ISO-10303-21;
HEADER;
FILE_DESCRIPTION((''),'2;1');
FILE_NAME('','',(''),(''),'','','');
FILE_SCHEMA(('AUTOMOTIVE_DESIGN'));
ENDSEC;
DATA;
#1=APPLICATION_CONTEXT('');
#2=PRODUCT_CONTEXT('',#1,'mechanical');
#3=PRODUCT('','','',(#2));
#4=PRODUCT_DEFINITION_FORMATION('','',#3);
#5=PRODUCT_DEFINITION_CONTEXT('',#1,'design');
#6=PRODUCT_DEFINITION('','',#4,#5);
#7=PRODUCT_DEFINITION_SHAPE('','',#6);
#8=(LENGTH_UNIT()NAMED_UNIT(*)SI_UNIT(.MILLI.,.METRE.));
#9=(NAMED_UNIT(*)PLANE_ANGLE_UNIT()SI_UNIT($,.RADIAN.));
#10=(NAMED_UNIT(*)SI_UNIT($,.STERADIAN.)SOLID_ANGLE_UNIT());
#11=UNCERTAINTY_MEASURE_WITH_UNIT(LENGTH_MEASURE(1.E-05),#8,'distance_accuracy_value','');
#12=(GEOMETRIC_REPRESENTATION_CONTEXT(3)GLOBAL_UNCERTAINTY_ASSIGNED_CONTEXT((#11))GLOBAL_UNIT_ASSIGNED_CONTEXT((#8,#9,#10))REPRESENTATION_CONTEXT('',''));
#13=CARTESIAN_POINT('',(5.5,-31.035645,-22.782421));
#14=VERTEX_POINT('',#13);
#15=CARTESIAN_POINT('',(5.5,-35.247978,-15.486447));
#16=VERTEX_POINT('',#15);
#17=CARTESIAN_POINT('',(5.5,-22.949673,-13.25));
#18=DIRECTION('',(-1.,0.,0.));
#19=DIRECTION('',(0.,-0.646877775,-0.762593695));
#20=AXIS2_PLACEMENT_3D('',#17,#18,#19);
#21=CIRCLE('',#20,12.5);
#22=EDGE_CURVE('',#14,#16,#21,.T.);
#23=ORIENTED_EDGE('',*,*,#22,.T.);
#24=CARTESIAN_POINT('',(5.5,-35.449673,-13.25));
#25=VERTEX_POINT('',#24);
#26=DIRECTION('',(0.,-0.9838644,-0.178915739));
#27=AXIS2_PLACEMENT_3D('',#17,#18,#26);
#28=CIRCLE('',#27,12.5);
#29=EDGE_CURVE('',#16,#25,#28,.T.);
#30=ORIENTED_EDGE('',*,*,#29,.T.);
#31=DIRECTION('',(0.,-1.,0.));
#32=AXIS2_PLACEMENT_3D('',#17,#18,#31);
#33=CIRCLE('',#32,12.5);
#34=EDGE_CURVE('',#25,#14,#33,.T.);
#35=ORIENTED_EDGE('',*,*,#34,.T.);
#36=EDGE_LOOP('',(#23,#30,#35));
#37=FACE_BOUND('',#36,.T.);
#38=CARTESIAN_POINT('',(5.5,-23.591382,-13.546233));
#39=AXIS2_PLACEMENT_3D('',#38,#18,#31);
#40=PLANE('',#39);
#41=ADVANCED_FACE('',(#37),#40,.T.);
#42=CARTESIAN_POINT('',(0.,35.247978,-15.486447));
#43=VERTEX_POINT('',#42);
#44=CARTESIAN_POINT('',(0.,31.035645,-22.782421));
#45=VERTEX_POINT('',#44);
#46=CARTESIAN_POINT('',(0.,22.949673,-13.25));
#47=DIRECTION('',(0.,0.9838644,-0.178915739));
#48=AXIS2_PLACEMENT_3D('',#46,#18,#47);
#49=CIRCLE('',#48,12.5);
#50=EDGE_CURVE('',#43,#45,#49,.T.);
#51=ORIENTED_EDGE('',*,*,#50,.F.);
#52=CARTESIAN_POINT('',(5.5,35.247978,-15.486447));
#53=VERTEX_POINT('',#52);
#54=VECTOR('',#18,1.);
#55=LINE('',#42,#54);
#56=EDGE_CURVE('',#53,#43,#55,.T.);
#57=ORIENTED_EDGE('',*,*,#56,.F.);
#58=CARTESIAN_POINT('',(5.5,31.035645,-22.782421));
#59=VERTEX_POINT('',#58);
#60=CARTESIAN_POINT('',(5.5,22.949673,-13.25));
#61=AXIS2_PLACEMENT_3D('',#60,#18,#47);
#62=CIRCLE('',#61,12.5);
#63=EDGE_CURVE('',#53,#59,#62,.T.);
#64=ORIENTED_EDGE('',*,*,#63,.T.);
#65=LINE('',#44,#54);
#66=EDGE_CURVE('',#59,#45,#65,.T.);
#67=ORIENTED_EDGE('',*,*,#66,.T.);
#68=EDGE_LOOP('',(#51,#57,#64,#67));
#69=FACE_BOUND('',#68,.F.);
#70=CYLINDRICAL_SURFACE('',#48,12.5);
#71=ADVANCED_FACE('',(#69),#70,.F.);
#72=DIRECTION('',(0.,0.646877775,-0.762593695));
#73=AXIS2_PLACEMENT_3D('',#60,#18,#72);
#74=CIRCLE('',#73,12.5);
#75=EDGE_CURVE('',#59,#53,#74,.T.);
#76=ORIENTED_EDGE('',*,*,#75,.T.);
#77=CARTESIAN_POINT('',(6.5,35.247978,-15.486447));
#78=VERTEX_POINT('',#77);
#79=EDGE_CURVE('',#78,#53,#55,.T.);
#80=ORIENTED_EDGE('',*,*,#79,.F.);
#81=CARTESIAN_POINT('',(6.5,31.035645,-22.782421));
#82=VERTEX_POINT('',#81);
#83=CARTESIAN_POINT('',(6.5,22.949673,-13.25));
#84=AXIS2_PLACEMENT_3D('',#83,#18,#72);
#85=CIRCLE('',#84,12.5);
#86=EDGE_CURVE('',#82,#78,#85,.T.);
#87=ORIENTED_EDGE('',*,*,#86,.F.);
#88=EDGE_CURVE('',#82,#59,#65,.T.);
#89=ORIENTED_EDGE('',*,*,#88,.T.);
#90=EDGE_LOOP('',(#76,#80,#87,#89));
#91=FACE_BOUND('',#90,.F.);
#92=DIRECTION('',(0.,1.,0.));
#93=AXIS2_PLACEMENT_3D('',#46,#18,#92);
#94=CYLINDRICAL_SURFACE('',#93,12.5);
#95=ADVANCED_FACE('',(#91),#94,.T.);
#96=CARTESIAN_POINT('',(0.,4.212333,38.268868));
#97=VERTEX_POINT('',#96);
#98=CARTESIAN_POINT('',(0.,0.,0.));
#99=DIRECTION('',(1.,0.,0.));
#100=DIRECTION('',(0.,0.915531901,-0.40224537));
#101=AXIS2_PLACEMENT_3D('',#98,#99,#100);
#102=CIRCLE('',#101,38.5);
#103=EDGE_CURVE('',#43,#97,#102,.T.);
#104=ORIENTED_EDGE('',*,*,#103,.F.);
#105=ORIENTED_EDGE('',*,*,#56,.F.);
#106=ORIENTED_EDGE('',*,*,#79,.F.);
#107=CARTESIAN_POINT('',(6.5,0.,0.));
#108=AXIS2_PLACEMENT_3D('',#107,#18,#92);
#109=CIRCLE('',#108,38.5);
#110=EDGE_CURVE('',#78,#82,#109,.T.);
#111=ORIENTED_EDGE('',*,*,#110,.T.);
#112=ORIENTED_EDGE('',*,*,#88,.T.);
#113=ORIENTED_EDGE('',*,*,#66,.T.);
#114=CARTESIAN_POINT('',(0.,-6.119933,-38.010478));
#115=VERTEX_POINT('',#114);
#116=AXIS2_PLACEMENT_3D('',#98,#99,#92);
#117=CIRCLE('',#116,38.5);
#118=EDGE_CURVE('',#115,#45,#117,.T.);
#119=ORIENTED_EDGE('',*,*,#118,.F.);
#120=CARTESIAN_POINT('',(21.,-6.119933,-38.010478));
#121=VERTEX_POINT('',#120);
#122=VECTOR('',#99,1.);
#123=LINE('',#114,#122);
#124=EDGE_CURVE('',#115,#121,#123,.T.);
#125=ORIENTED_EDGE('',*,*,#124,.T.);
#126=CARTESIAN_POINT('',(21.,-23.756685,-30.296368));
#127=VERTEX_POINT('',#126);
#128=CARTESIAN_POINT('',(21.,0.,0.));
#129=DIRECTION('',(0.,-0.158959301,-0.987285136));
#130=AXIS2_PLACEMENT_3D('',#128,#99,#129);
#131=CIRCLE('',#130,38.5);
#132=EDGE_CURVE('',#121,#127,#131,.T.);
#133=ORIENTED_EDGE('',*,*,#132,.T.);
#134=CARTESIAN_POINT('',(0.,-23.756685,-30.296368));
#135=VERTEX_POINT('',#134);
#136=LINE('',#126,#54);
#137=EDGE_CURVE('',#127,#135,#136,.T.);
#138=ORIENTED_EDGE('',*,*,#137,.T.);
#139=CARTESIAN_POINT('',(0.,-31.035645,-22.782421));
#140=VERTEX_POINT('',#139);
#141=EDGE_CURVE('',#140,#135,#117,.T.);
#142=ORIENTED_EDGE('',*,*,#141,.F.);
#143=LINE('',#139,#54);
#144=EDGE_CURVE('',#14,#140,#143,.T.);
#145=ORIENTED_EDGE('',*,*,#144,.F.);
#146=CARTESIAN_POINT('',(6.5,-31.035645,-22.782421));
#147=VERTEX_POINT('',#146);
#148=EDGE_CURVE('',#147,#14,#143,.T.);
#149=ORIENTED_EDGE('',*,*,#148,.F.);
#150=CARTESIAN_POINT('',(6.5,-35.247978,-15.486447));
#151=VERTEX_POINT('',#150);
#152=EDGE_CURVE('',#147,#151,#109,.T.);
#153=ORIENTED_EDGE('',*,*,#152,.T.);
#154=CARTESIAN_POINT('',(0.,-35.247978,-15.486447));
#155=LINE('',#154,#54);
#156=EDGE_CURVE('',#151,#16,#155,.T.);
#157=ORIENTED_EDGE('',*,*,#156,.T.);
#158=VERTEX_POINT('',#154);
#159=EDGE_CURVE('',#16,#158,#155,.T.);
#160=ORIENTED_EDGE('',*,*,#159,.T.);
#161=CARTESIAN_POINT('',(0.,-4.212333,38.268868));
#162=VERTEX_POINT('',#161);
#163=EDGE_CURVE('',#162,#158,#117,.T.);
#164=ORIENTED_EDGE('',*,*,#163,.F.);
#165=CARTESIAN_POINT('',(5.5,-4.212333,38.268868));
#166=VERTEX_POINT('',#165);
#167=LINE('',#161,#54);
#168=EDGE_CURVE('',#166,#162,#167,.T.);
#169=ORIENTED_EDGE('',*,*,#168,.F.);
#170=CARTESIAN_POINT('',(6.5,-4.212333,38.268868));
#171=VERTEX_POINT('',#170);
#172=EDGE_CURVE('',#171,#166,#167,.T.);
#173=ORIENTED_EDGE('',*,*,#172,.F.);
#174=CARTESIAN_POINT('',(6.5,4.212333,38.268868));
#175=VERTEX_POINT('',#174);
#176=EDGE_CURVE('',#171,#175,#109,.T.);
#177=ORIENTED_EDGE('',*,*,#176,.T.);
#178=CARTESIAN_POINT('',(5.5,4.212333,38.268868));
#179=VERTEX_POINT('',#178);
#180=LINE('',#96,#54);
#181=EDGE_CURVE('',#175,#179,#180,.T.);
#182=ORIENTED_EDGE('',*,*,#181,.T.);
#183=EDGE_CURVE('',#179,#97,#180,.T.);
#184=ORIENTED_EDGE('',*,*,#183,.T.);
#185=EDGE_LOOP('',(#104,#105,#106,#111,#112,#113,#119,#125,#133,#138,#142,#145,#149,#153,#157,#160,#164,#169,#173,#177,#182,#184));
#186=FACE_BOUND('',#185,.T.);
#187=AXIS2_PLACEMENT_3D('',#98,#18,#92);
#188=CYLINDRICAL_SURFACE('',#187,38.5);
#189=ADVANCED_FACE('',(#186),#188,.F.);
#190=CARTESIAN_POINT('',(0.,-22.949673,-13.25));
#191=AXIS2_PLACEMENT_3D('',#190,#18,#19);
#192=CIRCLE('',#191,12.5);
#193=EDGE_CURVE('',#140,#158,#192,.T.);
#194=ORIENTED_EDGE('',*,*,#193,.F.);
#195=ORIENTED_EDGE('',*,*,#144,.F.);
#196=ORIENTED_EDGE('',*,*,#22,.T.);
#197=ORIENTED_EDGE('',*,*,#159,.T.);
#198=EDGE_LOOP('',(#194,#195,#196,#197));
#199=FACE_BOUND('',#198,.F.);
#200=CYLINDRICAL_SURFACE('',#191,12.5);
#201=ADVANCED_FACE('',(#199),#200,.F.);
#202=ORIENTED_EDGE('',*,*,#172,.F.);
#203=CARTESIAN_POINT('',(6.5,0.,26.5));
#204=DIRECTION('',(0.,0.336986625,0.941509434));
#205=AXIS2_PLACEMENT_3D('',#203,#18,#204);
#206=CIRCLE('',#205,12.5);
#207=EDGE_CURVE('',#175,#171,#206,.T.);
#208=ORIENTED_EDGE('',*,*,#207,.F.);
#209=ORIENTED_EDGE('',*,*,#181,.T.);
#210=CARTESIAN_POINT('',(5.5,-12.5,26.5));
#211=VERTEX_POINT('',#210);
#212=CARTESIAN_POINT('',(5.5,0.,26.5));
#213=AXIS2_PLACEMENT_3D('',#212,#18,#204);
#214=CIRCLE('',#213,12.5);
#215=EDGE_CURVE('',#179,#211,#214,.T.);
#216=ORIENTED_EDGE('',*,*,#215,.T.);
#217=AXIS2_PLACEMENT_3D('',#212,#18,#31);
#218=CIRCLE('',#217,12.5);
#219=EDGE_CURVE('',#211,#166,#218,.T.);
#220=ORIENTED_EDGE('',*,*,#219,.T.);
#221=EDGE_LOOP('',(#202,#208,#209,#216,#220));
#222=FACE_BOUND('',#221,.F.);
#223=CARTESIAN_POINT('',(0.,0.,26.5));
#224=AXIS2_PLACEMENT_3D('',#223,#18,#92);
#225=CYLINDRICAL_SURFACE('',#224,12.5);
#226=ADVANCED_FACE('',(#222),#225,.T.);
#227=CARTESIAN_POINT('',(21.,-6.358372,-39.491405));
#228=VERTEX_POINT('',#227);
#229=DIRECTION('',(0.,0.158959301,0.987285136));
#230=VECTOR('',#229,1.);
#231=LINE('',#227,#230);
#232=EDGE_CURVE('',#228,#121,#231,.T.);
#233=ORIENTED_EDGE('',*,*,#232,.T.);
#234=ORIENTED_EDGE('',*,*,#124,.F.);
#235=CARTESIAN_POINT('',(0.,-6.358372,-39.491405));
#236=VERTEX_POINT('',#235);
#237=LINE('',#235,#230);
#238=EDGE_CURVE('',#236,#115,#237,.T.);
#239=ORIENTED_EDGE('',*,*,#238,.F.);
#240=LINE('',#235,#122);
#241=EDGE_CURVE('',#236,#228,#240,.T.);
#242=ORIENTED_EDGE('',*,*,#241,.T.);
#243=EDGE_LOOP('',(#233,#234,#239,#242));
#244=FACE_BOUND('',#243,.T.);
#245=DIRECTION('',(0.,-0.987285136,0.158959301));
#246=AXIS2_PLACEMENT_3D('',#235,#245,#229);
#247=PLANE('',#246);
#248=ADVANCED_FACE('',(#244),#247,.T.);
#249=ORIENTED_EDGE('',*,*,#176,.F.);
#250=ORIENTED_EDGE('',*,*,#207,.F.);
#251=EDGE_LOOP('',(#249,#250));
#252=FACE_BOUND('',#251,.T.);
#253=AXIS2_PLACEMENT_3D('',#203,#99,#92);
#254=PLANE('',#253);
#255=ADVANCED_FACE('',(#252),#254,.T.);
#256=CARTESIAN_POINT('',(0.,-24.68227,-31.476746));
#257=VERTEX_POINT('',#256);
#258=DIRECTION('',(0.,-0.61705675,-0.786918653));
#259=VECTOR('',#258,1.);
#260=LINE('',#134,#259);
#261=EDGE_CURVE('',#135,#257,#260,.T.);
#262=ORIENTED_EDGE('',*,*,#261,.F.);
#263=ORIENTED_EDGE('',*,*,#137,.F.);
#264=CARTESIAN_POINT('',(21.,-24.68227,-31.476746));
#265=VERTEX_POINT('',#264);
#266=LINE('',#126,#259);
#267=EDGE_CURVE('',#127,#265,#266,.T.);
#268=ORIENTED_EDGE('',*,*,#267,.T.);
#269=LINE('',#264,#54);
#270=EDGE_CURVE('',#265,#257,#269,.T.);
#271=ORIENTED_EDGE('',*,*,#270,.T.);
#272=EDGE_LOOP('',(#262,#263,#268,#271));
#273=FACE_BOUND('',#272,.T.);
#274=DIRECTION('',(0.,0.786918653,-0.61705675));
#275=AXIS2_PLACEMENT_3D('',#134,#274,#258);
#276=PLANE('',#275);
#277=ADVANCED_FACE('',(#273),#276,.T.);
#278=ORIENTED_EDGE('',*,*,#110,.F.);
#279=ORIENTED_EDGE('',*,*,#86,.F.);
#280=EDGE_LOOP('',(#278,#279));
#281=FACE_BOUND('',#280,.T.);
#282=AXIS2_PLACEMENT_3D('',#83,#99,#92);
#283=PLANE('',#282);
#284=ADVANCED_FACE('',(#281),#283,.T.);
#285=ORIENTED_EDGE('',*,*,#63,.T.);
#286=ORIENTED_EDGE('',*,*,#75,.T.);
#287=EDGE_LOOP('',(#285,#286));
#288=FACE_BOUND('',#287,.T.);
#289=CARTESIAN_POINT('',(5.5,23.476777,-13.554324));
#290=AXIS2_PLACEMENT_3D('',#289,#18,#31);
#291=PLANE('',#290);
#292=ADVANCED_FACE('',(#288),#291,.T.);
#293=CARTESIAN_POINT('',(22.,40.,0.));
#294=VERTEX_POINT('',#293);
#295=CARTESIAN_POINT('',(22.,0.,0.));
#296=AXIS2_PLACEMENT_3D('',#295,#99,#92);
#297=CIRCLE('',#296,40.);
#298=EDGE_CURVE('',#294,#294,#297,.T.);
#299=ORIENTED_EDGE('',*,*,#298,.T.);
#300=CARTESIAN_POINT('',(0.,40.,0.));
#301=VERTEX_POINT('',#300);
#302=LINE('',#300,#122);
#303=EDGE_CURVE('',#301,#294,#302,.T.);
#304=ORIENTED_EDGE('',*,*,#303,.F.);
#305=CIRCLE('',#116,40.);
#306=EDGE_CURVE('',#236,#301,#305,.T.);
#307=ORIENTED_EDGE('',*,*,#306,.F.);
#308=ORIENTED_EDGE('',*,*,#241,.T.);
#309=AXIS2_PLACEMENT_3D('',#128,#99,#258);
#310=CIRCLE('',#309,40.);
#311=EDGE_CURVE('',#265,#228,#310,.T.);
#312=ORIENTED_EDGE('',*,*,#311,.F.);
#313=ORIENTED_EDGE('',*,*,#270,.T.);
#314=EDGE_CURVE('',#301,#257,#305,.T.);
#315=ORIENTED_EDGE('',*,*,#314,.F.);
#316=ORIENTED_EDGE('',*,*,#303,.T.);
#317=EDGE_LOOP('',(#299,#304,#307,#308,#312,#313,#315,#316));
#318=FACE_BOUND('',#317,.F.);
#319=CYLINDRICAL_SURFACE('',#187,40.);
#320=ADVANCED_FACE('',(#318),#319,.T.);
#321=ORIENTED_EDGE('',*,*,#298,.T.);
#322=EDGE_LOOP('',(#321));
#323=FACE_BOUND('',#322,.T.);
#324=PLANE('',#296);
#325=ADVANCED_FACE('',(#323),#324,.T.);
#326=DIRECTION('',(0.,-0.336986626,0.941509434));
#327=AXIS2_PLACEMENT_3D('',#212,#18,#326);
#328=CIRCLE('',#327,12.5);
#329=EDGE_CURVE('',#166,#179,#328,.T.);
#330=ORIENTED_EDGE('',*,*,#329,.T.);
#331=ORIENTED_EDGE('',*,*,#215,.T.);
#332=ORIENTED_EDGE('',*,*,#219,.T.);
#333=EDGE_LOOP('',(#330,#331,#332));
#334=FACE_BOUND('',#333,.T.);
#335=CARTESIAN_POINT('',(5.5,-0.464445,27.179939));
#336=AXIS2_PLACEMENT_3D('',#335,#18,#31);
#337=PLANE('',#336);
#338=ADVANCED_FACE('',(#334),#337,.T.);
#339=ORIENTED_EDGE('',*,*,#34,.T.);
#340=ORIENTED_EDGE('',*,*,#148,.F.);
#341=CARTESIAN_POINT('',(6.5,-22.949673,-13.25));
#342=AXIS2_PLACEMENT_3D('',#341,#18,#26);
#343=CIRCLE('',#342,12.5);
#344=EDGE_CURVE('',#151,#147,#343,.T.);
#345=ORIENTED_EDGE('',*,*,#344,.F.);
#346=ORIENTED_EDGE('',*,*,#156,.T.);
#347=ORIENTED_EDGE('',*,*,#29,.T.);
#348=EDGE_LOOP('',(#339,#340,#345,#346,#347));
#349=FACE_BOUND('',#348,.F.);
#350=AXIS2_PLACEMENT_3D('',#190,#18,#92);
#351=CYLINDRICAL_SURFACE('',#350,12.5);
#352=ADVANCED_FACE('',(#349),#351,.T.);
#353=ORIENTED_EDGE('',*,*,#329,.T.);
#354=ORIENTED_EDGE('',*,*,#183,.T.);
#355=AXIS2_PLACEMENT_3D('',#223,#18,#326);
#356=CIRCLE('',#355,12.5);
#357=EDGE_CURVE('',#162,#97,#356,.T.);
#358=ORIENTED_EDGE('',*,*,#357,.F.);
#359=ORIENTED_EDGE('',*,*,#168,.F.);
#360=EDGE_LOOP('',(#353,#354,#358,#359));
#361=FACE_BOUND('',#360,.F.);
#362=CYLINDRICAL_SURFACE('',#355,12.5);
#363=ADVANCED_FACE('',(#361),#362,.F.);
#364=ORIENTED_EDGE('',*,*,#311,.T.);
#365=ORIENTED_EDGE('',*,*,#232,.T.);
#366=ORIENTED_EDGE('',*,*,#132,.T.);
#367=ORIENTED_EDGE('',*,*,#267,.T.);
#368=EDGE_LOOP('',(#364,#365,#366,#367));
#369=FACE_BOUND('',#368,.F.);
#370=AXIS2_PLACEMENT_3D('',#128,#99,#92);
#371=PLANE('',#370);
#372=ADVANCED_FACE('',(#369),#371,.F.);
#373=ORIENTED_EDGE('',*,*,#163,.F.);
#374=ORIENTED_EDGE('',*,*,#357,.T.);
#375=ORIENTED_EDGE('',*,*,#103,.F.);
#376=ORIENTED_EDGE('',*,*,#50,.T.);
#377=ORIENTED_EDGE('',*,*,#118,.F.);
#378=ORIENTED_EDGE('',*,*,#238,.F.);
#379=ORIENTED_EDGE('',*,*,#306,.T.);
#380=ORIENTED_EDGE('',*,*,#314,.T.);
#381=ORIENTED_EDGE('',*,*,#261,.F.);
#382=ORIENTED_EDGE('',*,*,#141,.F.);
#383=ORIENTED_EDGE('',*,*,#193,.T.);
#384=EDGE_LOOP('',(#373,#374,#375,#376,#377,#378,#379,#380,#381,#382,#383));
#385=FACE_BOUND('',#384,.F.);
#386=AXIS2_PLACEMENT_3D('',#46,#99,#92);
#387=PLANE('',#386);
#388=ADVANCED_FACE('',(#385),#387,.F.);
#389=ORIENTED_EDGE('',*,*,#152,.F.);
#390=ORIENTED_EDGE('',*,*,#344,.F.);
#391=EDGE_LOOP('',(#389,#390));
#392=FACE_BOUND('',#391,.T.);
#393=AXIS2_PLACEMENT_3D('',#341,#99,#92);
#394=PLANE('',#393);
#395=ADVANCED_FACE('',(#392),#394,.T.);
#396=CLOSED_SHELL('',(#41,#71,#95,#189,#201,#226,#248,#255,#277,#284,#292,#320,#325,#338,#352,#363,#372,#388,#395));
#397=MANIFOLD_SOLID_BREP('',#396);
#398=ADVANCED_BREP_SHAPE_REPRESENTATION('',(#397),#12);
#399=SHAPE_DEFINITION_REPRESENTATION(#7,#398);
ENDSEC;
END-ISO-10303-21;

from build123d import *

# Parameters (mm, degrees)
F0_R     = 40
F1_DEPTH = 22
F2_T     = -1.5
F3_R     = 12.5
F4_DEPTH = 6.5
F6_DEPTH = 20.5
F8_DEPTH = 5.5
F9_DEPTH = 0.5


with BuildPart() as f1:
    # F0 (on Right) → F1 (new body)
    with BuildSketch(Plane.YZ):
        Circle(F0_R)
    extrude(amount=F1_DEPTH)

    # F2
    f2_openings = [f1.faces().sort_by_distance(p)[0] for p in [
        (0, 0, 0),
    ]]
    offset(amount=F2_T, openings=f2_openings)

    # F3 (on Right) → F4 (join)
    with BuildSketch(Plane.YZ):
        with Locations((22.9496732003, -13.25)):
            Circle(F3_R)
        with Locations((0, 26.5)):
            Circle(F3_R)
        with Locations((-22.9496732003, -13.25)):
            Circle(F3_R)
    extrude(amount=F4_DEPTH)

    # F5 (on Right) → F6 (cut)
    with BuildSketch(Plane.YZ):
        with BuildLine():
            Line((-23.7566848809, -30.2963681564), (-24.6822700062, -31.4767461365))
            ThreePointArc((-24.6822700062, -31.4767461365), (-16.029318636, -36.6477958964), (-6.3583720579, -39.4914054545))
            Line((-6.3583720579, -39.4914054545), (-6.1199331058, -38.01047775))
            ThreePointArc((-6.1199331058, -38.01047775), (-15.4282191871, -35.2735035503), (-23.7566848809, -30.2963681564))
        make_face()
    extrude(amount=F6_DEPTH, mode=Mode.SUBTRACT)

    # F7 (on face) → F8 (cut)
    with BuildSketch(Plane(origin=(0, 0, 0), x_dir=(0, -1, 0), z_dir=(-1, 0, 0))):
        with BuildLine():
            ThreePointArc((-10.4496732003, -13.25), (-24.0724348464, -0.8005258631), (-35.247978206, -15.4864467321))
            ThreePointArc((-35.247978206, -15.4864467321), (-33.7749907476, -19.5), (-31.0356453874, -22.7824211924))
            ThreePointArc((-31.0356453874, -22.7824211924), (-17.6972762398, -24.5929416894), (-10.4496732003, -13.25))
        make_face()
        with BuildLine():
            ThreePointArc((31.0356453874, -22.7824211924), (33.7749907476, -19.5), (35.247978206, -15.4864467321))
            ThreePointArc((35.247978206, -15.4864467321), (35.3991473372, -14.3727616462), (35.4496732003, -13.25))
            ThreePointArc((35.4496732003, -13.25), (11.6067315109, -7.9976030395), (31.0356453874, -22.7824211924))
        make_face()
        with BuildLine():
            ThreePointArc((4.2123328186, 38.2688679245), (0, 39), (-4.2123328186, 38.2688679245))
            ThreePointArc((-4.2123328186, 38.2688679245), (-7.1970771764, 16.2798199567), (12.5, 26.5))
            ThreePointArc((12.5, 26.5), (10.2201800433, 33.6970771764), (4.2123328186, 38.2688679245))
        make_face()
    extrude(amount=-F8_DEPTH, mode=Mode.SUBTRACT)

    # F9 (cut): a face of the model
    f9_faces = [f1.faces().sort_by_distance(p)[0] for p in [
        (20.5, -0.0988123254, -0.2259144019),
    ]]
    extrude(f9_faces, amount=-F9_DEPTH, mode=Mode.SUBTRACT)


solid = f1.part
